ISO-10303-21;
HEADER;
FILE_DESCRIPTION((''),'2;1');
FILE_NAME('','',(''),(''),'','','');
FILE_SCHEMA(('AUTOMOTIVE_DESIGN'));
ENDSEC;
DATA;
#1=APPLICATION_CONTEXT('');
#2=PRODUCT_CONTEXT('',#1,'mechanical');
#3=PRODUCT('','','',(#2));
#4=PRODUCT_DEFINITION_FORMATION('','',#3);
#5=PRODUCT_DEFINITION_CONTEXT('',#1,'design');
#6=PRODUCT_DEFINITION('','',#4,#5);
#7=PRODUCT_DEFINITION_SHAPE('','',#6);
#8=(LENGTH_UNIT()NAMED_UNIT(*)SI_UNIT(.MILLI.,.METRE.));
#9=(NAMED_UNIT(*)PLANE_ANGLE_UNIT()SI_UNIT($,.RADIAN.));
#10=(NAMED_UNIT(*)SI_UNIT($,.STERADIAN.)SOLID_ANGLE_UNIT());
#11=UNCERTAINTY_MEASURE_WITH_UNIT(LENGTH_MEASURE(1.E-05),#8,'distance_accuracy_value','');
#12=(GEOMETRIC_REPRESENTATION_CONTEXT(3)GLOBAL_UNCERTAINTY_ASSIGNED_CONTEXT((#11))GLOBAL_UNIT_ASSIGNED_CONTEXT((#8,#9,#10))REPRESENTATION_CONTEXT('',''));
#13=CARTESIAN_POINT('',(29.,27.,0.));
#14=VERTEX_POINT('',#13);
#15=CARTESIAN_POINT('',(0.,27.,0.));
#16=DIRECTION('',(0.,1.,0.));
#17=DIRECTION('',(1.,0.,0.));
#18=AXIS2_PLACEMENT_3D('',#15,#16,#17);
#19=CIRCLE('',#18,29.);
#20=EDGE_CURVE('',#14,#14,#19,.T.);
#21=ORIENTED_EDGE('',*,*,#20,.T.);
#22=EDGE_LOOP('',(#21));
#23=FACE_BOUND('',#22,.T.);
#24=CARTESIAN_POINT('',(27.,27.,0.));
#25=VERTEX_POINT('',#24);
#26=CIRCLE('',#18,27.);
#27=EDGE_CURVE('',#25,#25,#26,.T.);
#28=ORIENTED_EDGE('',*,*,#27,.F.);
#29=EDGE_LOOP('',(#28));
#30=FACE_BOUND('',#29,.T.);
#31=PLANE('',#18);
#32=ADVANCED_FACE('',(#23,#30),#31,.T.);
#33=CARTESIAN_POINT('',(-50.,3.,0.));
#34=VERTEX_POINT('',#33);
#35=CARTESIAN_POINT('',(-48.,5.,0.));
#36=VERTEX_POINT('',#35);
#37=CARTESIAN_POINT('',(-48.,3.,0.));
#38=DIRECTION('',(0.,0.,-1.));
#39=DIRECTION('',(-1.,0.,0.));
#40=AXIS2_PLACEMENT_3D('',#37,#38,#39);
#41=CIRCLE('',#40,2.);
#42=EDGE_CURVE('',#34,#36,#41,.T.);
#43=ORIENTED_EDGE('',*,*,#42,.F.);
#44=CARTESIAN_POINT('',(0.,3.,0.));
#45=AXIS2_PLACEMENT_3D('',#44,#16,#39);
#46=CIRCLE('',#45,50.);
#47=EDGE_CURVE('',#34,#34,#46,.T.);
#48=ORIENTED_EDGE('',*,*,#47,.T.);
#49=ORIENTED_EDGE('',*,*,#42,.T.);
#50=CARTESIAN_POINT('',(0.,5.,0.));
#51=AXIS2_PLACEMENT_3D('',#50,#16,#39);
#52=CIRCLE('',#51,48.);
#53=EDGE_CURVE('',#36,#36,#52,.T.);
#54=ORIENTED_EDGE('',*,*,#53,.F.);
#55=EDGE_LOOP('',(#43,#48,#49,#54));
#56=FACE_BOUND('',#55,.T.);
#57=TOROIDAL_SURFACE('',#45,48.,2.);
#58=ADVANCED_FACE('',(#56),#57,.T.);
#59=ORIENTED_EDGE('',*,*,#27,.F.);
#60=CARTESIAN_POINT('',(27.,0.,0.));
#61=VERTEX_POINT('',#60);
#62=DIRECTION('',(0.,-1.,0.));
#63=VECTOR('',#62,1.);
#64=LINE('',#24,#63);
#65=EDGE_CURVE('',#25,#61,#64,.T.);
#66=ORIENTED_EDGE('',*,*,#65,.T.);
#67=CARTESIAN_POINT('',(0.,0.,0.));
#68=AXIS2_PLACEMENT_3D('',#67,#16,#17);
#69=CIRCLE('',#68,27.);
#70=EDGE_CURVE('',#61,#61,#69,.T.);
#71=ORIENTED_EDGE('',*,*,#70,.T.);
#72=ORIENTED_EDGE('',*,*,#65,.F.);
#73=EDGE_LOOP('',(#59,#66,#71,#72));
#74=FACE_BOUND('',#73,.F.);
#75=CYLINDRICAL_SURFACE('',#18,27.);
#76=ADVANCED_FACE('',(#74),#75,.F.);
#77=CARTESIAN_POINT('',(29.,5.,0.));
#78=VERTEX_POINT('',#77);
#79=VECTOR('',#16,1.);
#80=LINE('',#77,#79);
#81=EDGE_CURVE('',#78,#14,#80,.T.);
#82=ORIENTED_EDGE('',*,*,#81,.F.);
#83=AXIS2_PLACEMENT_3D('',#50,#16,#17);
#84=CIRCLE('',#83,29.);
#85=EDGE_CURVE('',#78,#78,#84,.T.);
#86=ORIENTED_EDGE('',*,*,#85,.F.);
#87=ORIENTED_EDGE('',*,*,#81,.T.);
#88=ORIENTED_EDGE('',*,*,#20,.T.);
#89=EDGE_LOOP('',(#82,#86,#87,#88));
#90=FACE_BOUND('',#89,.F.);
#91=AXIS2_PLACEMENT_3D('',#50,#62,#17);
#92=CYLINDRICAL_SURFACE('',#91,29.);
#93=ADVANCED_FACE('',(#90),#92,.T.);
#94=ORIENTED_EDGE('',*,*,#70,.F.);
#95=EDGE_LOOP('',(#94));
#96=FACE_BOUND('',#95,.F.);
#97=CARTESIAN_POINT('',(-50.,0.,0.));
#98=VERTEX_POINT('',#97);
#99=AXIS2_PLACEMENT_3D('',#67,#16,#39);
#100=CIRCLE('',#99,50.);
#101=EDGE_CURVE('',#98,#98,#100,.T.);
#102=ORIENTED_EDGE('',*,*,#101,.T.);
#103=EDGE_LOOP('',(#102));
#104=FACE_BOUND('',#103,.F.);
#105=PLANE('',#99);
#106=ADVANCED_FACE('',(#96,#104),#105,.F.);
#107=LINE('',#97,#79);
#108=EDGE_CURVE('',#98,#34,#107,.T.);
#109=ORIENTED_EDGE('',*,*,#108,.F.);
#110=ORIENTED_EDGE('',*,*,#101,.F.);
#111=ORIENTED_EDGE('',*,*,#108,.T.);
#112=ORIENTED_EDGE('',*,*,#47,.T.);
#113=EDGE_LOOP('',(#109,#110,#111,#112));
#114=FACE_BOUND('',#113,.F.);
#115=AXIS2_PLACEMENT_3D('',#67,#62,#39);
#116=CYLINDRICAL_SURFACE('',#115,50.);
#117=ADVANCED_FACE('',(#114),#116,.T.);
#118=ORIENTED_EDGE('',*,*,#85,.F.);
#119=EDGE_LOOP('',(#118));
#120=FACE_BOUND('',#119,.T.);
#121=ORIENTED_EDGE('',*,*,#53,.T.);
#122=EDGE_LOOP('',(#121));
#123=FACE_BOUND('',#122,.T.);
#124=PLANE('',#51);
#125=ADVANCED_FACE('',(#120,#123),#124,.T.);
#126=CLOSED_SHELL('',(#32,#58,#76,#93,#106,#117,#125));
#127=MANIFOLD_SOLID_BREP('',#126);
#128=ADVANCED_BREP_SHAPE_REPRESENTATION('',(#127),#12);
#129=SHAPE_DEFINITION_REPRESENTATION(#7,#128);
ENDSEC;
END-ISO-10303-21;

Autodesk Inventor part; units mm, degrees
ref_plane "YZ Plane" through (0, 0, 0) normal (1, 0, 0) x (0, 1, 0)
ref_plane "XZ Plane" through (0, 0, 0) normal (0, 1, 0) x (-1, 0, 0)
ref_plane "XY Plane" through (0, 0, 0) normal (0, 0, 1) x (1, 0, 0)
sketch "Sketch1" plane through (0, 0, 0) normal (0, 1, 0) x (-1, 0, 0)
  circle A0 centre (0, 0) radius 50
  dimension "d0" = 100
extrude "Extrusion1" add sketch "Sketch1" along normal blind 5
sketch "Sketch2" plane through (0, 5, 0) normal (0, 1, 0) x (1, 0, 0)
  circle A0 centre (0, 0) radius 29
  dimension "d3" = 58
extrude "Extrusion2" add sketch "Sketch2" along normal blind 22
thread "Thread1" size "M58x3" class "6g" standard "ANSI Metric M Profile" full length
fillet "Fillet1" radius 2 1 edges at (50, 5, 0)
sketch "Sketch3" plane through (0, 27, 0) normal (0, 1, 0) x (1, 0, 0)
  circle A0 centre (0, 0) radius 27
  dimension "d9" = 54
extrude "Extrusion3" cut sketch "Sketch3" against normal blind 100
properties part number "palmPlatform"
